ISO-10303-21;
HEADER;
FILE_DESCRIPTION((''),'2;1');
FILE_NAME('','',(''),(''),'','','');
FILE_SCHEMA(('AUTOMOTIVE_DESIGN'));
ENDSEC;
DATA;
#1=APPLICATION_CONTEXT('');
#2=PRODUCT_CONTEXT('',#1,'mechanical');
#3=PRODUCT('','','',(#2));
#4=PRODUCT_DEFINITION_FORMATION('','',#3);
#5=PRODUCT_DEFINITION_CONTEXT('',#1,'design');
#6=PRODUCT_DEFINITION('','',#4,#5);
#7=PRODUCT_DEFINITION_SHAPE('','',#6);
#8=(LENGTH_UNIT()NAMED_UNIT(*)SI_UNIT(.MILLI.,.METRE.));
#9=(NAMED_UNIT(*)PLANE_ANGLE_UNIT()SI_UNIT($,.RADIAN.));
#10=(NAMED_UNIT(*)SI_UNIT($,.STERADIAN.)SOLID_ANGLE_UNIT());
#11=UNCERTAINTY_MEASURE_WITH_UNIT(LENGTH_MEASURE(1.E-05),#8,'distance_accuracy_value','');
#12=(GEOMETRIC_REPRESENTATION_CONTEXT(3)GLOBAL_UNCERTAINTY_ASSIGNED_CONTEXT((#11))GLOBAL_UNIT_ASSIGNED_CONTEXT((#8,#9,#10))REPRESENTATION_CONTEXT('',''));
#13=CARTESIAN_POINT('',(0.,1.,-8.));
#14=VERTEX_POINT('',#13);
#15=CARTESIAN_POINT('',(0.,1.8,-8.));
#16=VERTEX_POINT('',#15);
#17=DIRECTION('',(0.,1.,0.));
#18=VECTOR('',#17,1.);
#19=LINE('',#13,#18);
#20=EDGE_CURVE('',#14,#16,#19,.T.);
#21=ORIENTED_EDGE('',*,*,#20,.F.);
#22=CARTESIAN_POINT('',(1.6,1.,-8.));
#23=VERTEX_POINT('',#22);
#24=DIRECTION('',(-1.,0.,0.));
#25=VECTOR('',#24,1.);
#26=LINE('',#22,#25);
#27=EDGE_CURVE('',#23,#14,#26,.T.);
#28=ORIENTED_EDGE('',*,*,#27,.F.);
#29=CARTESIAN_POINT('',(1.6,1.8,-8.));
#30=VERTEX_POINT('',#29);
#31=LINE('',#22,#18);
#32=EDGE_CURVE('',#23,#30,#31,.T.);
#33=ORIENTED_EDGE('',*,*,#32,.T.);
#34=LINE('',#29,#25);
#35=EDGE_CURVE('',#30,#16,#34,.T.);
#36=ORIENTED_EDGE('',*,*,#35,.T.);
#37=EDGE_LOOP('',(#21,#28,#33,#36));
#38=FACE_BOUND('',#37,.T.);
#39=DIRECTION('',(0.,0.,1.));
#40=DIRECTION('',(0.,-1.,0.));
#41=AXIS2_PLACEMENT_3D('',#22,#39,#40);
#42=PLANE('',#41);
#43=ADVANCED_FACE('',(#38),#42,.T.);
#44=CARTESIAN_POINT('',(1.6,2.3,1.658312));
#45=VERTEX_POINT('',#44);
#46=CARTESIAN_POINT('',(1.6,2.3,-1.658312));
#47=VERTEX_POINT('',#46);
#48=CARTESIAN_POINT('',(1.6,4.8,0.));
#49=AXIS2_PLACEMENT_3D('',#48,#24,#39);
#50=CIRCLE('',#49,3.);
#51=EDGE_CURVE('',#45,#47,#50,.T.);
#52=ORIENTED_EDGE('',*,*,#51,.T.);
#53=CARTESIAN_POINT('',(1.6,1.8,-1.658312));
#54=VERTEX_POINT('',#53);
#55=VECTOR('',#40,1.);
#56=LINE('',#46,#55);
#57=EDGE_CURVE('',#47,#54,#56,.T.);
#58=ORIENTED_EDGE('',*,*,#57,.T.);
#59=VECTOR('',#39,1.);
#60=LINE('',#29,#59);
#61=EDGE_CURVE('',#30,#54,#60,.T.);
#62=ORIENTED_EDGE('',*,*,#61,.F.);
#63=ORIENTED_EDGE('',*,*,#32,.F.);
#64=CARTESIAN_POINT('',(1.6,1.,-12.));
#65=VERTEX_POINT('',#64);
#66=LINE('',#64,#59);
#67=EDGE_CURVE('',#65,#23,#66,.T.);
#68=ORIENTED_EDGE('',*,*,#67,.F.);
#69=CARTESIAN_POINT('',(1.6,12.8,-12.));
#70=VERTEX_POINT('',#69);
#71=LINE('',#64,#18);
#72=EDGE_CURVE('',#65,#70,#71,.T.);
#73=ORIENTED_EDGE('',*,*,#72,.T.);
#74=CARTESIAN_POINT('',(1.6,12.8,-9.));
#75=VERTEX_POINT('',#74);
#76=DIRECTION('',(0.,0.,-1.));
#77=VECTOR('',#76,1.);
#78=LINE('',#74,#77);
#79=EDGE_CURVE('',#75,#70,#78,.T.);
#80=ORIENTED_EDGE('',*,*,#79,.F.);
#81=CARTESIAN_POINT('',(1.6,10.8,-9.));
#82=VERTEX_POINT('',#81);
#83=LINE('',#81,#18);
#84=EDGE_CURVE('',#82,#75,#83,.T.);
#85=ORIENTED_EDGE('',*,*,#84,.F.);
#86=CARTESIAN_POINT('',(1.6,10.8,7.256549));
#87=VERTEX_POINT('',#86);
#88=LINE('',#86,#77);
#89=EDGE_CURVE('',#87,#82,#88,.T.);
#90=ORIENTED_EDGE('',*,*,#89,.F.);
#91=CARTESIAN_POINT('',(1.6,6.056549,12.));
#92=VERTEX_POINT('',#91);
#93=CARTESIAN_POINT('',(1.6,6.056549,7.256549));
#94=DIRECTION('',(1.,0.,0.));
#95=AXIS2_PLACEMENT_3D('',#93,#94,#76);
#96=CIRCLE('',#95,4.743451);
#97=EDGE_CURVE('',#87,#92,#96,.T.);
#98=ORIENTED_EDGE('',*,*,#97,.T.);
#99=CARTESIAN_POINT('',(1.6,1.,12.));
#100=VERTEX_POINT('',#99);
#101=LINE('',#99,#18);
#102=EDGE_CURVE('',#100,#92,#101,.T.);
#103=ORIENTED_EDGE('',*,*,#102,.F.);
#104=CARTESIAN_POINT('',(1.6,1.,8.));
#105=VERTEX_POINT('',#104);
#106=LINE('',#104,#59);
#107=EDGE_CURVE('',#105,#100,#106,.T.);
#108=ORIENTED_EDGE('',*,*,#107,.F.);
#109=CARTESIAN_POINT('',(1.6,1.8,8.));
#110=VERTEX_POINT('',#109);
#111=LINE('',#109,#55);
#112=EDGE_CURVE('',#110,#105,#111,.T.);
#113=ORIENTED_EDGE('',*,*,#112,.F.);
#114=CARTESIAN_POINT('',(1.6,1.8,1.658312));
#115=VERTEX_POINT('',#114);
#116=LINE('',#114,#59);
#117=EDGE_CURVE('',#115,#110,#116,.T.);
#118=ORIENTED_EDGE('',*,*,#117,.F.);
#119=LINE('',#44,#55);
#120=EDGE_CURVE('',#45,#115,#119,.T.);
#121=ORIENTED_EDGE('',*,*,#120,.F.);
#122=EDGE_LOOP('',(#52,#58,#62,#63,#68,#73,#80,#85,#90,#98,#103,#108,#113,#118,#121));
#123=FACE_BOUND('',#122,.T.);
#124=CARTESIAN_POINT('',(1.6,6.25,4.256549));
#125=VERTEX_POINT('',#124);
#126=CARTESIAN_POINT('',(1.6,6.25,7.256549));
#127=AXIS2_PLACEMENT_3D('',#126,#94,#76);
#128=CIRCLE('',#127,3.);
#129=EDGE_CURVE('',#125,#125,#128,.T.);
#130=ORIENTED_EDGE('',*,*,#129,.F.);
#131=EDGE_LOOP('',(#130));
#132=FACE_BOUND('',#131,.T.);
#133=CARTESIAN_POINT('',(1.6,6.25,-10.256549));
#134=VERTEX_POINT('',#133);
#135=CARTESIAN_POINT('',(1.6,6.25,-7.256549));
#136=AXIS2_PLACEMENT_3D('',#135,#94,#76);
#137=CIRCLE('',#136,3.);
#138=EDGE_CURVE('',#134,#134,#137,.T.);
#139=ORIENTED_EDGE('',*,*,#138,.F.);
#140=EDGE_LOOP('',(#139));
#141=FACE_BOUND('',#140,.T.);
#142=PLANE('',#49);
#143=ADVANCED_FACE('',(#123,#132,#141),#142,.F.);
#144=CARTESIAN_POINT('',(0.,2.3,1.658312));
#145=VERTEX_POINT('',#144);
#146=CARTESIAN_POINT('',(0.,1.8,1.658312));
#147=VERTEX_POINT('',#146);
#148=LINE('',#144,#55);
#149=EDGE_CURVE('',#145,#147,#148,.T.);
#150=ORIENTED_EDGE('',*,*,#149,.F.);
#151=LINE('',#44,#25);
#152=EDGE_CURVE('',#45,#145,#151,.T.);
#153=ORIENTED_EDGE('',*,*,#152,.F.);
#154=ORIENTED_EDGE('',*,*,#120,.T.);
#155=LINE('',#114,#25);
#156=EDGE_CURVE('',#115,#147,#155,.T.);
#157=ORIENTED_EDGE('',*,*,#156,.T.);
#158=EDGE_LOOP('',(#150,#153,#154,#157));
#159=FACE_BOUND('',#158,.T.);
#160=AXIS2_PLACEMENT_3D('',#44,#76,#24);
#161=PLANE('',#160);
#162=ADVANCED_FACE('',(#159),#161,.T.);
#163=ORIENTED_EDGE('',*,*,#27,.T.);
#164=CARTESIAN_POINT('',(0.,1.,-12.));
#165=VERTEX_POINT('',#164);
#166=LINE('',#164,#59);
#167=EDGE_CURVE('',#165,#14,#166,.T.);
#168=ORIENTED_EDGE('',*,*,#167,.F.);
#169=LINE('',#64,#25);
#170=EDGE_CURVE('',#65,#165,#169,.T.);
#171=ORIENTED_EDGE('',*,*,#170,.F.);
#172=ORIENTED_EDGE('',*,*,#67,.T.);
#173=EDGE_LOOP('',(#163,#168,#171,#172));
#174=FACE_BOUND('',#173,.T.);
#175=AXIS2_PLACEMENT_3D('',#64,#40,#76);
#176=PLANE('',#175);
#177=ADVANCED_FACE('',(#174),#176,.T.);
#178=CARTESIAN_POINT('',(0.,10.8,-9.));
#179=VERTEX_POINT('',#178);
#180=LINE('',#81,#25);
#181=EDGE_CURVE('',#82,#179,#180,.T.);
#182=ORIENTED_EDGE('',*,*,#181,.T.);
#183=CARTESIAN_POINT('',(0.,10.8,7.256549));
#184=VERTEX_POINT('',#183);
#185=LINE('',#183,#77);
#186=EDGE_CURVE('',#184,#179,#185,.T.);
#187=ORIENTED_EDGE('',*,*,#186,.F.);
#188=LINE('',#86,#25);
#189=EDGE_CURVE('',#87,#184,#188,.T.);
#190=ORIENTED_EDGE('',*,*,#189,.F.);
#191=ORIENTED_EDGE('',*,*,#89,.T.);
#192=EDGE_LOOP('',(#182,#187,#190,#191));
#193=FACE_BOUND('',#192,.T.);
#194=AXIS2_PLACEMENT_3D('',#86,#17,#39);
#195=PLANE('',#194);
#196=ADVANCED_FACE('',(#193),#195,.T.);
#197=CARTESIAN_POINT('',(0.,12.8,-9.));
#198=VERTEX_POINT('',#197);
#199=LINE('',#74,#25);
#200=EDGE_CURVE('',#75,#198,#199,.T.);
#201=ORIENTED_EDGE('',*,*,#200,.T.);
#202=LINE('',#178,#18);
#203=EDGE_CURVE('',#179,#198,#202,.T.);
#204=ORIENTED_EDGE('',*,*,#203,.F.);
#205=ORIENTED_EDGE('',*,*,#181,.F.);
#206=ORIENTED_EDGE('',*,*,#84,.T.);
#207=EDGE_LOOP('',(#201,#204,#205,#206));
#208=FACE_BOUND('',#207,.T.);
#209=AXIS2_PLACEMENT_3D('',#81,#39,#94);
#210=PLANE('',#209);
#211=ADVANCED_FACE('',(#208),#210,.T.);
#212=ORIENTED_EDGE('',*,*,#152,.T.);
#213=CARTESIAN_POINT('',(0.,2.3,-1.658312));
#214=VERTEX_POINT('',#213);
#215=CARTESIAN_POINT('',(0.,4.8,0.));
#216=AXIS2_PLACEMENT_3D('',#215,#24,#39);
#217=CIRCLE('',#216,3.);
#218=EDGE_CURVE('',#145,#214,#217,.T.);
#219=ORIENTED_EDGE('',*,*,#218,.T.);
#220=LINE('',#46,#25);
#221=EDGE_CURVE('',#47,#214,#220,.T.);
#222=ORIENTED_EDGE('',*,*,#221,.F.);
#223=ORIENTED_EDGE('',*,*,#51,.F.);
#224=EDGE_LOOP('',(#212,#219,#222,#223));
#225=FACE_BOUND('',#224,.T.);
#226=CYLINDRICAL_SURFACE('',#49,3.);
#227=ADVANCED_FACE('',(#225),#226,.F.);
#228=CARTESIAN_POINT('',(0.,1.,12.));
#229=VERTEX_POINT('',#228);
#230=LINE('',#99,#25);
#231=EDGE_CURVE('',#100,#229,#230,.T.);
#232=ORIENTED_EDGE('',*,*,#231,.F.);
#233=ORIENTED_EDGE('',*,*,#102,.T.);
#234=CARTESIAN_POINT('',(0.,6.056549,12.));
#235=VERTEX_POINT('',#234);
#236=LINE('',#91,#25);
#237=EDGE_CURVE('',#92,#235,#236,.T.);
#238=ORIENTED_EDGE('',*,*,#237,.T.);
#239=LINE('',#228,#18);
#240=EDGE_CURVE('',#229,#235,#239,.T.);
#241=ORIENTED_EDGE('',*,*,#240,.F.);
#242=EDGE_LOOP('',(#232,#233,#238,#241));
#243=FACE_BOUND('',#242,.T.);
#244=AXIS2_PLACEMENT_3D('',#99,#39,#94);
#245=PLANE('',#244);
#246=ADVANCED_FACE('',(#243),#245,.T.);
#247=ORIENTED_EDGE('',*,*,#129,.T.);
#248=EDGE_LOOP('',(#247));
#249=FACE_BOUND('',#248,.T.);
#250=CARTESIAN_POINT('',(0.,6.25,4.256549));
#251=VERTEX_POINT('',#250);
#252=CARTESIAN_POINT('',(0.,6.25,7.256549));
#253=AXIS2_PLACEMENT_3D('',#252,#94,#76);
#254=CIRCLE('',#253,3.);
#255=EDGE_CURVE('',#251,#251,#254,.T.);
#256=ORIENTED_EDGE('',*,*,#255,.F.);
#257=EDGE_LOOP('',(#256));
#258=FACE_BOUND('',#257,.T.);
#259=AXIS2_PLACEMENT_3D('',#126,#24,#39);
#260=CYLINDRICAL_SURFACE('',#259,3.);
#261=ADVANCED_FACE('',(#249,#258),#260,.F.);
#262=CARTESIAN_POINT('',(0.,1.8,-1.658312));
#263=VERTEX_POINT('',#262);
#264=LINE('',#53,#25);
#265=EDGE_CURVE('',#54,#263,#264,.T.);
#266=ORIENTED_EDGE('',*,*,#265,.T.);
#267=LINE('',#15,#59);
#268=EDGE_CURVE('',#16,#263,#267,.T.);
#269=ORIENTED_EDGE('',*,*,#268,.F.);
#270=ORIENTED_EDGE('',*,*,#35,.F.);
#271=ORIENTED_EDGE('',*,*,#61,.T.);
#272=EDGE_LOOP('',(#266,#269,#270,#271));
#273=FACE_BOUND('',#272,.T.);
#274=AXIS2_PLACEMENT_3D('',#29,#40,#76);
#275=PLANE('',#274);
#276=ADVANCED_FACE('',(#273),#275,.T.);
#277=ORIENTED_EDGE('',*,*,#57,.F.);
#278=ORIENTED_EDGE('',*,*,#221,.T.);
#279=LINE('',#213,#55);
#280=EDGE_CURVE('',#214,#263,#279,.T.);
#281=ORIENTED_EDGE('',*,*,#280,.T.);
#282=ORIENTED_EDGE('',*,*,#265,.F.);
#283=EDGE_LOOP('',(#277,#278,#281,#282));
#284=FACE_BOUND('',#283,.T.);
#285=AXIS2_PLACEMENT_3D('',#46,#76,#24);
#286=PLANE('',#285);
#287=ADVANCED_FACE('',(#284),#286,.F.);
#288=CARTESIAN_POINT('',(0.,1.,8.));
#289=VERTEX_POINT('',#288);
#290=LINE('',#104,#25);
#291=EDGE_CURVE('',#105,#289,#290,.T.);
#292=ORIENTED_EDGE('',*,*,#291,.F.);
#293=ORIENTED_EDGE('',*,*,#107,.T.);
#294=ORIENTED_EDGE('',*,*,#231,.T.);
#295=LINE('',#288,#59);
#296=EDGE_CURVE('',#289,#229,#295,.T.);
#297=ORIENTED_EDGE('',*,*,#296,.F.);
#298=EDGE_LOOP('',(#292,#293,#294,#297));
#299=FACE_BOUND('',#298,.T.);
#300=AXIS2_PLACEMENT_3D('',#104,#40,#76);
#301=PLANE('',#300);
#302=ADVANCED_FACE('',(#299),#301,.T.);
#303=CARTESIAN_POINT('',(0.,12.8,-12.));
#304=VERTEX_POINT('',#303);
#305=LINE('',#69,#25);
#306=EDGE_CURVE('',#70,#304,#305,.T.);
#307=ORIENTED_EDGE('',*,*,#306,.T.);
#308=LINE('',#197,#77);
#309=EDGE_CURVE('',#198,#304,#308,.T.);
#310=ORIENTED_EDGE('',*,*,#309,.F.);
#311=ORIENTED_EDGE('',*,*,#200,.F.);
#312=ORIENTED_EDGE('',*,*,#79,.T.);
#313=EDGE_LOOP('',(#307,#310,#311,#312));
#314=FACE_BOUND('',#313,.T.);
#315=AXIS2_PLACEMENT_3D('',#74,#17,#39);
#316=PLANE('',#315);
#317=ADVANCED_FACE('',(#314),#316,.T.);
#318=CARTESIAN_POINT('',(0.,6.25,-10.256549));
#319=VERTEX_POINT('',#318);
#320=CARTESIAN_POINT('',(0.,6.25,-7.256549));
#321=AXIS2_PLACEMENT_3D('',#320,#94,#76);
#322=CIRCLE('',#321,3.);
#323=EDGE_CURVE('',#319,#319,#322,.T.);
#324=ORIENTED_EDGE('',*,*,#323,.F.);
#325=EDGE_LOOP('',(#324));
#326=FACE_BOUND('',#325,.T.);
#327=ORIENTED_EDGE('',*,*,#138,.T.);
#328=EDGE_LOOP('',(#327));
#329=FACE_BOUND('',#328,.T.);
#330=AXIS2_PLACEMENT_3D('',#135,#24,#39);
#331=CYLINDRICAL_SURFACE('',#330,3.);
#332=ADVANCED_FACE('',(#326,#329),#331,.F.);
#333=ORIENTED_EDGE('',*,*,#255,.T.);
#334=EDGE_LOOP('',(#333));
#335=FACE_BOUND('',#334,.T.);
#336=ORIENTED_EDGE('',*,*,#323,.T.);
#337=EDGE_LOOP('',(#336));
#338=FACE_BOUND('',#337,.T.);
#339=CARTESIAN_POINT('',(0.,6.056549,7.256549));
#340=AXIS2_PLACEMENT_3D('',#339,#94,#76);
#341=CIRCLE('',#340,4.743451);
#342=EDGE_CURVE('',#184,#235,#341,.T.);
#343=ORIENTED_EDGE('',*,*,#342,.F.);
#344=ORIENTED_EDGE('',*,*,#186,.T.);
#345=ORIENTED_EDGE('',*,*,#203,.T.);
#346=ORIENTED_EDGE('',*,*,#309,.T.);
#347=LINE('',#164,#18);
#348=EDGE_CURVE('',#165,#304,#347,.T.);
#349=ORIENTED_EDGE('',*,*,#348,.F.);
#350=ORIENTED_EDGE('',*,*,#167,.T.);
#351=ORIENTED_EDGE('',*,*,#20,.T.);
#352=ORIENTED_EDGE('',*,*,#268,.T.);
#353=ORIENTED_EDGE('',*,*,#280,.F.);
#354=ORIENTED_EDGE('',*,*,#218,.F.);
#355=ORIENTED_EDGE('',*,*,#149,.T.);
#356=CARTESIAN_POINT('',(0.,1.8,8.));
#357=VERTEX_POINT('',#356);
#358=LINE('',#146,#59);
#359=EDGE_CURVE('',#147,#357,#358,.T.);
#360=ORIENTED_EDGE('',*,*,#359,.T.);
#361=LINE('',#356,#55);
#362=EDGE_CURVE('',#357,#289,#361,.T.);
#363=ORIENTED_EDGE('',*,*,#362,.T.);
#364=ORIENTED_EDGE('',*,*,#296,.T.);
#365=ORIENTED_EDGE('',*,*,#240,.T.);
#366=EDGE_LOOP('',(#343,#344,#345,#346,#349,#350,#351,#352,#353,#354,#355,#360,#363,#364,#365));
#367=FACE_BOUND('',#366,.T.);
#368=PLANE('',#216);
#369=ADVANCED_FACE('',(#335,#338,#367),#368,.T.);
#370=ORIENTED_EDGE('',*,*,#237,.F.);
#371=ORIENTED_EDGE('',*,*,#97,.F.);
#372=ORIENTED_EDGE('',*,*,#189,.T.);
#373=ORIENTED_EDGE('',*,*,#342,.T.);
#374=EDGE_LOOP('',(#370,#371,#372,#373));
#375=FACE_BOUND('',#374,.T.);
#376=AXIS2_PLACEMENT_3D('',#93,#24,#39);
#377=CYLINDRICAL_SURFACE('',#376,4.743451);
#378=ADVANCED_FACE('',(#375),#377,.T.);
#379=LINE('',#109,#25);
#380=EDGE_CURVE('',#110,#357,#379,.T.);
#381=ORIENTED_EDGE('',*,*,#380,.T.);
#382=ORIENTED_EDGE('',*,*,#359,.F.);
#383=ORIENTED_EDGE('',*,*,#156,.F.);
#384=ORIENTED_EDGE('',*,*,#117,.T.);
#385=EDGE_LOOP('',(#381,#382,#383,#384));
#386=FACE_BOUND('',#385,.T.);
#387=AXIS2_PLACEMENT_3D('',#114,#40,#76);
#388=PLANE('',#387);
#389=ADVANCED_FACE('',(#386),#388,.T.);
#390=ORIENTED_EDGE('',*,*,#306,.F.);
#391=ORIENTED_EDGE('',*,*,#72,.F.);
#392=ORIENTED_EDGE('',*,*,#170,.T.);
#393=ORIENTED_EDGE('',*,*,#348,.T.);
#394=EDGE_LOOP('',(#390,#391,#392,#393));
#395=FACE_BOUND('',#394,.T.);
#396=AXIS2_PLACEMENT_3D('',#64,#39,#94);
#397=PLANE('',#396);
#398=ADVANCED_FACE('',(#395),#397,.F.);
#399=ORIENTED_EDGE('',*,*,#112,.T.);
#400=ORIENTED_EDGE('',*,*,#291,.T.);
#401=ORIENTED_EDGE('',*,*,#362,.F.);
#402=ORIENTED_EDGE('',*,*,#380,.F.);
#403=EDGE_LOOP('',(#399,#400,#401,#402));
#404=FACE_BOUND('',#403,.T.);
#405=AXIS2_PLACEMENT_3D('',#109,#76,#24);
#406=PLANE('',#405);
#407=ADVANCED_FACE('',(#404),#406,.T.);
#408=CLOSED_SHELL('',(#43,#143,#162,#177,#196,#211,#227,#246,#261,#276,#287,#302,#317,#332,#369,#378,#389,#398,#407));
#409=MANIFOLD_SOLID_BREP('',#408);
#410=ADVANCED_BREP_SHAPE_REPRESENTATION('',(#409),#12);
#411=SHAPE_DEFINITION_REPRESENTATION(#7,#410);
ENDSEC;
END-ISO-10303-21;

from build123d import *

# Parameters (mm, degrees)
SKETCH_2_R      = 3
EXTRUDE_1_DEPTH = 1.6


with BuildPart() as part:
    # 스케치2 → 보스-돌출1 (new body)
    with BuildSketch(Plane(origin=(0, 0, 0), x_dir=(0, 0, -1), z_dir=(1, 0, 0))):
        with BuildLine():
            Line((12, 1), (8, 1))
            Line((8, 1), (8, 1.8))
            Line((8, 1.8), (1.658312395, 1.8))
            Line((1.658312395, 1.8), (1.658312395, 2.3))
            ThreePointArc((1.658312395, 2.3), (0, 7.8), (-1.658312395, 2.3))
            Line((-1.658312395, 2.3), (-1.658312395, 1.8))
            Line((-1.658312395, 1.8), (-8, 1.8))
            Line((-8, 1.8), (-8, 1))
            Line((-8, 1), (-12, 1))
            Line((-12, 1), (-12, 6.056548766))
            ThreePointArc((-12, 6.056548766), (-10.6106753, 9.4106753), (-7.256548766, 10.8))
            Line((-7.256548766, 10.8), (9, 10.8))
            Line((9, 10.8), (9, 12.8))
            Line((9, 12.8), (12, 12.8))
            Line((12, 12.8), (12, 1))
        make_face()
        with Locations((-7.256548766, 6.25)):
            Circle(SKETCH_2_R, mode=Mode.SUBTRACT)
        with Locations((7.256548766, 6.25)):
            Circle(SKETCH_2_R, mode=Mode.SUBTRACT)
    extrude(amount=EXTRUDE_1_DEPTH)


solid = part.part
